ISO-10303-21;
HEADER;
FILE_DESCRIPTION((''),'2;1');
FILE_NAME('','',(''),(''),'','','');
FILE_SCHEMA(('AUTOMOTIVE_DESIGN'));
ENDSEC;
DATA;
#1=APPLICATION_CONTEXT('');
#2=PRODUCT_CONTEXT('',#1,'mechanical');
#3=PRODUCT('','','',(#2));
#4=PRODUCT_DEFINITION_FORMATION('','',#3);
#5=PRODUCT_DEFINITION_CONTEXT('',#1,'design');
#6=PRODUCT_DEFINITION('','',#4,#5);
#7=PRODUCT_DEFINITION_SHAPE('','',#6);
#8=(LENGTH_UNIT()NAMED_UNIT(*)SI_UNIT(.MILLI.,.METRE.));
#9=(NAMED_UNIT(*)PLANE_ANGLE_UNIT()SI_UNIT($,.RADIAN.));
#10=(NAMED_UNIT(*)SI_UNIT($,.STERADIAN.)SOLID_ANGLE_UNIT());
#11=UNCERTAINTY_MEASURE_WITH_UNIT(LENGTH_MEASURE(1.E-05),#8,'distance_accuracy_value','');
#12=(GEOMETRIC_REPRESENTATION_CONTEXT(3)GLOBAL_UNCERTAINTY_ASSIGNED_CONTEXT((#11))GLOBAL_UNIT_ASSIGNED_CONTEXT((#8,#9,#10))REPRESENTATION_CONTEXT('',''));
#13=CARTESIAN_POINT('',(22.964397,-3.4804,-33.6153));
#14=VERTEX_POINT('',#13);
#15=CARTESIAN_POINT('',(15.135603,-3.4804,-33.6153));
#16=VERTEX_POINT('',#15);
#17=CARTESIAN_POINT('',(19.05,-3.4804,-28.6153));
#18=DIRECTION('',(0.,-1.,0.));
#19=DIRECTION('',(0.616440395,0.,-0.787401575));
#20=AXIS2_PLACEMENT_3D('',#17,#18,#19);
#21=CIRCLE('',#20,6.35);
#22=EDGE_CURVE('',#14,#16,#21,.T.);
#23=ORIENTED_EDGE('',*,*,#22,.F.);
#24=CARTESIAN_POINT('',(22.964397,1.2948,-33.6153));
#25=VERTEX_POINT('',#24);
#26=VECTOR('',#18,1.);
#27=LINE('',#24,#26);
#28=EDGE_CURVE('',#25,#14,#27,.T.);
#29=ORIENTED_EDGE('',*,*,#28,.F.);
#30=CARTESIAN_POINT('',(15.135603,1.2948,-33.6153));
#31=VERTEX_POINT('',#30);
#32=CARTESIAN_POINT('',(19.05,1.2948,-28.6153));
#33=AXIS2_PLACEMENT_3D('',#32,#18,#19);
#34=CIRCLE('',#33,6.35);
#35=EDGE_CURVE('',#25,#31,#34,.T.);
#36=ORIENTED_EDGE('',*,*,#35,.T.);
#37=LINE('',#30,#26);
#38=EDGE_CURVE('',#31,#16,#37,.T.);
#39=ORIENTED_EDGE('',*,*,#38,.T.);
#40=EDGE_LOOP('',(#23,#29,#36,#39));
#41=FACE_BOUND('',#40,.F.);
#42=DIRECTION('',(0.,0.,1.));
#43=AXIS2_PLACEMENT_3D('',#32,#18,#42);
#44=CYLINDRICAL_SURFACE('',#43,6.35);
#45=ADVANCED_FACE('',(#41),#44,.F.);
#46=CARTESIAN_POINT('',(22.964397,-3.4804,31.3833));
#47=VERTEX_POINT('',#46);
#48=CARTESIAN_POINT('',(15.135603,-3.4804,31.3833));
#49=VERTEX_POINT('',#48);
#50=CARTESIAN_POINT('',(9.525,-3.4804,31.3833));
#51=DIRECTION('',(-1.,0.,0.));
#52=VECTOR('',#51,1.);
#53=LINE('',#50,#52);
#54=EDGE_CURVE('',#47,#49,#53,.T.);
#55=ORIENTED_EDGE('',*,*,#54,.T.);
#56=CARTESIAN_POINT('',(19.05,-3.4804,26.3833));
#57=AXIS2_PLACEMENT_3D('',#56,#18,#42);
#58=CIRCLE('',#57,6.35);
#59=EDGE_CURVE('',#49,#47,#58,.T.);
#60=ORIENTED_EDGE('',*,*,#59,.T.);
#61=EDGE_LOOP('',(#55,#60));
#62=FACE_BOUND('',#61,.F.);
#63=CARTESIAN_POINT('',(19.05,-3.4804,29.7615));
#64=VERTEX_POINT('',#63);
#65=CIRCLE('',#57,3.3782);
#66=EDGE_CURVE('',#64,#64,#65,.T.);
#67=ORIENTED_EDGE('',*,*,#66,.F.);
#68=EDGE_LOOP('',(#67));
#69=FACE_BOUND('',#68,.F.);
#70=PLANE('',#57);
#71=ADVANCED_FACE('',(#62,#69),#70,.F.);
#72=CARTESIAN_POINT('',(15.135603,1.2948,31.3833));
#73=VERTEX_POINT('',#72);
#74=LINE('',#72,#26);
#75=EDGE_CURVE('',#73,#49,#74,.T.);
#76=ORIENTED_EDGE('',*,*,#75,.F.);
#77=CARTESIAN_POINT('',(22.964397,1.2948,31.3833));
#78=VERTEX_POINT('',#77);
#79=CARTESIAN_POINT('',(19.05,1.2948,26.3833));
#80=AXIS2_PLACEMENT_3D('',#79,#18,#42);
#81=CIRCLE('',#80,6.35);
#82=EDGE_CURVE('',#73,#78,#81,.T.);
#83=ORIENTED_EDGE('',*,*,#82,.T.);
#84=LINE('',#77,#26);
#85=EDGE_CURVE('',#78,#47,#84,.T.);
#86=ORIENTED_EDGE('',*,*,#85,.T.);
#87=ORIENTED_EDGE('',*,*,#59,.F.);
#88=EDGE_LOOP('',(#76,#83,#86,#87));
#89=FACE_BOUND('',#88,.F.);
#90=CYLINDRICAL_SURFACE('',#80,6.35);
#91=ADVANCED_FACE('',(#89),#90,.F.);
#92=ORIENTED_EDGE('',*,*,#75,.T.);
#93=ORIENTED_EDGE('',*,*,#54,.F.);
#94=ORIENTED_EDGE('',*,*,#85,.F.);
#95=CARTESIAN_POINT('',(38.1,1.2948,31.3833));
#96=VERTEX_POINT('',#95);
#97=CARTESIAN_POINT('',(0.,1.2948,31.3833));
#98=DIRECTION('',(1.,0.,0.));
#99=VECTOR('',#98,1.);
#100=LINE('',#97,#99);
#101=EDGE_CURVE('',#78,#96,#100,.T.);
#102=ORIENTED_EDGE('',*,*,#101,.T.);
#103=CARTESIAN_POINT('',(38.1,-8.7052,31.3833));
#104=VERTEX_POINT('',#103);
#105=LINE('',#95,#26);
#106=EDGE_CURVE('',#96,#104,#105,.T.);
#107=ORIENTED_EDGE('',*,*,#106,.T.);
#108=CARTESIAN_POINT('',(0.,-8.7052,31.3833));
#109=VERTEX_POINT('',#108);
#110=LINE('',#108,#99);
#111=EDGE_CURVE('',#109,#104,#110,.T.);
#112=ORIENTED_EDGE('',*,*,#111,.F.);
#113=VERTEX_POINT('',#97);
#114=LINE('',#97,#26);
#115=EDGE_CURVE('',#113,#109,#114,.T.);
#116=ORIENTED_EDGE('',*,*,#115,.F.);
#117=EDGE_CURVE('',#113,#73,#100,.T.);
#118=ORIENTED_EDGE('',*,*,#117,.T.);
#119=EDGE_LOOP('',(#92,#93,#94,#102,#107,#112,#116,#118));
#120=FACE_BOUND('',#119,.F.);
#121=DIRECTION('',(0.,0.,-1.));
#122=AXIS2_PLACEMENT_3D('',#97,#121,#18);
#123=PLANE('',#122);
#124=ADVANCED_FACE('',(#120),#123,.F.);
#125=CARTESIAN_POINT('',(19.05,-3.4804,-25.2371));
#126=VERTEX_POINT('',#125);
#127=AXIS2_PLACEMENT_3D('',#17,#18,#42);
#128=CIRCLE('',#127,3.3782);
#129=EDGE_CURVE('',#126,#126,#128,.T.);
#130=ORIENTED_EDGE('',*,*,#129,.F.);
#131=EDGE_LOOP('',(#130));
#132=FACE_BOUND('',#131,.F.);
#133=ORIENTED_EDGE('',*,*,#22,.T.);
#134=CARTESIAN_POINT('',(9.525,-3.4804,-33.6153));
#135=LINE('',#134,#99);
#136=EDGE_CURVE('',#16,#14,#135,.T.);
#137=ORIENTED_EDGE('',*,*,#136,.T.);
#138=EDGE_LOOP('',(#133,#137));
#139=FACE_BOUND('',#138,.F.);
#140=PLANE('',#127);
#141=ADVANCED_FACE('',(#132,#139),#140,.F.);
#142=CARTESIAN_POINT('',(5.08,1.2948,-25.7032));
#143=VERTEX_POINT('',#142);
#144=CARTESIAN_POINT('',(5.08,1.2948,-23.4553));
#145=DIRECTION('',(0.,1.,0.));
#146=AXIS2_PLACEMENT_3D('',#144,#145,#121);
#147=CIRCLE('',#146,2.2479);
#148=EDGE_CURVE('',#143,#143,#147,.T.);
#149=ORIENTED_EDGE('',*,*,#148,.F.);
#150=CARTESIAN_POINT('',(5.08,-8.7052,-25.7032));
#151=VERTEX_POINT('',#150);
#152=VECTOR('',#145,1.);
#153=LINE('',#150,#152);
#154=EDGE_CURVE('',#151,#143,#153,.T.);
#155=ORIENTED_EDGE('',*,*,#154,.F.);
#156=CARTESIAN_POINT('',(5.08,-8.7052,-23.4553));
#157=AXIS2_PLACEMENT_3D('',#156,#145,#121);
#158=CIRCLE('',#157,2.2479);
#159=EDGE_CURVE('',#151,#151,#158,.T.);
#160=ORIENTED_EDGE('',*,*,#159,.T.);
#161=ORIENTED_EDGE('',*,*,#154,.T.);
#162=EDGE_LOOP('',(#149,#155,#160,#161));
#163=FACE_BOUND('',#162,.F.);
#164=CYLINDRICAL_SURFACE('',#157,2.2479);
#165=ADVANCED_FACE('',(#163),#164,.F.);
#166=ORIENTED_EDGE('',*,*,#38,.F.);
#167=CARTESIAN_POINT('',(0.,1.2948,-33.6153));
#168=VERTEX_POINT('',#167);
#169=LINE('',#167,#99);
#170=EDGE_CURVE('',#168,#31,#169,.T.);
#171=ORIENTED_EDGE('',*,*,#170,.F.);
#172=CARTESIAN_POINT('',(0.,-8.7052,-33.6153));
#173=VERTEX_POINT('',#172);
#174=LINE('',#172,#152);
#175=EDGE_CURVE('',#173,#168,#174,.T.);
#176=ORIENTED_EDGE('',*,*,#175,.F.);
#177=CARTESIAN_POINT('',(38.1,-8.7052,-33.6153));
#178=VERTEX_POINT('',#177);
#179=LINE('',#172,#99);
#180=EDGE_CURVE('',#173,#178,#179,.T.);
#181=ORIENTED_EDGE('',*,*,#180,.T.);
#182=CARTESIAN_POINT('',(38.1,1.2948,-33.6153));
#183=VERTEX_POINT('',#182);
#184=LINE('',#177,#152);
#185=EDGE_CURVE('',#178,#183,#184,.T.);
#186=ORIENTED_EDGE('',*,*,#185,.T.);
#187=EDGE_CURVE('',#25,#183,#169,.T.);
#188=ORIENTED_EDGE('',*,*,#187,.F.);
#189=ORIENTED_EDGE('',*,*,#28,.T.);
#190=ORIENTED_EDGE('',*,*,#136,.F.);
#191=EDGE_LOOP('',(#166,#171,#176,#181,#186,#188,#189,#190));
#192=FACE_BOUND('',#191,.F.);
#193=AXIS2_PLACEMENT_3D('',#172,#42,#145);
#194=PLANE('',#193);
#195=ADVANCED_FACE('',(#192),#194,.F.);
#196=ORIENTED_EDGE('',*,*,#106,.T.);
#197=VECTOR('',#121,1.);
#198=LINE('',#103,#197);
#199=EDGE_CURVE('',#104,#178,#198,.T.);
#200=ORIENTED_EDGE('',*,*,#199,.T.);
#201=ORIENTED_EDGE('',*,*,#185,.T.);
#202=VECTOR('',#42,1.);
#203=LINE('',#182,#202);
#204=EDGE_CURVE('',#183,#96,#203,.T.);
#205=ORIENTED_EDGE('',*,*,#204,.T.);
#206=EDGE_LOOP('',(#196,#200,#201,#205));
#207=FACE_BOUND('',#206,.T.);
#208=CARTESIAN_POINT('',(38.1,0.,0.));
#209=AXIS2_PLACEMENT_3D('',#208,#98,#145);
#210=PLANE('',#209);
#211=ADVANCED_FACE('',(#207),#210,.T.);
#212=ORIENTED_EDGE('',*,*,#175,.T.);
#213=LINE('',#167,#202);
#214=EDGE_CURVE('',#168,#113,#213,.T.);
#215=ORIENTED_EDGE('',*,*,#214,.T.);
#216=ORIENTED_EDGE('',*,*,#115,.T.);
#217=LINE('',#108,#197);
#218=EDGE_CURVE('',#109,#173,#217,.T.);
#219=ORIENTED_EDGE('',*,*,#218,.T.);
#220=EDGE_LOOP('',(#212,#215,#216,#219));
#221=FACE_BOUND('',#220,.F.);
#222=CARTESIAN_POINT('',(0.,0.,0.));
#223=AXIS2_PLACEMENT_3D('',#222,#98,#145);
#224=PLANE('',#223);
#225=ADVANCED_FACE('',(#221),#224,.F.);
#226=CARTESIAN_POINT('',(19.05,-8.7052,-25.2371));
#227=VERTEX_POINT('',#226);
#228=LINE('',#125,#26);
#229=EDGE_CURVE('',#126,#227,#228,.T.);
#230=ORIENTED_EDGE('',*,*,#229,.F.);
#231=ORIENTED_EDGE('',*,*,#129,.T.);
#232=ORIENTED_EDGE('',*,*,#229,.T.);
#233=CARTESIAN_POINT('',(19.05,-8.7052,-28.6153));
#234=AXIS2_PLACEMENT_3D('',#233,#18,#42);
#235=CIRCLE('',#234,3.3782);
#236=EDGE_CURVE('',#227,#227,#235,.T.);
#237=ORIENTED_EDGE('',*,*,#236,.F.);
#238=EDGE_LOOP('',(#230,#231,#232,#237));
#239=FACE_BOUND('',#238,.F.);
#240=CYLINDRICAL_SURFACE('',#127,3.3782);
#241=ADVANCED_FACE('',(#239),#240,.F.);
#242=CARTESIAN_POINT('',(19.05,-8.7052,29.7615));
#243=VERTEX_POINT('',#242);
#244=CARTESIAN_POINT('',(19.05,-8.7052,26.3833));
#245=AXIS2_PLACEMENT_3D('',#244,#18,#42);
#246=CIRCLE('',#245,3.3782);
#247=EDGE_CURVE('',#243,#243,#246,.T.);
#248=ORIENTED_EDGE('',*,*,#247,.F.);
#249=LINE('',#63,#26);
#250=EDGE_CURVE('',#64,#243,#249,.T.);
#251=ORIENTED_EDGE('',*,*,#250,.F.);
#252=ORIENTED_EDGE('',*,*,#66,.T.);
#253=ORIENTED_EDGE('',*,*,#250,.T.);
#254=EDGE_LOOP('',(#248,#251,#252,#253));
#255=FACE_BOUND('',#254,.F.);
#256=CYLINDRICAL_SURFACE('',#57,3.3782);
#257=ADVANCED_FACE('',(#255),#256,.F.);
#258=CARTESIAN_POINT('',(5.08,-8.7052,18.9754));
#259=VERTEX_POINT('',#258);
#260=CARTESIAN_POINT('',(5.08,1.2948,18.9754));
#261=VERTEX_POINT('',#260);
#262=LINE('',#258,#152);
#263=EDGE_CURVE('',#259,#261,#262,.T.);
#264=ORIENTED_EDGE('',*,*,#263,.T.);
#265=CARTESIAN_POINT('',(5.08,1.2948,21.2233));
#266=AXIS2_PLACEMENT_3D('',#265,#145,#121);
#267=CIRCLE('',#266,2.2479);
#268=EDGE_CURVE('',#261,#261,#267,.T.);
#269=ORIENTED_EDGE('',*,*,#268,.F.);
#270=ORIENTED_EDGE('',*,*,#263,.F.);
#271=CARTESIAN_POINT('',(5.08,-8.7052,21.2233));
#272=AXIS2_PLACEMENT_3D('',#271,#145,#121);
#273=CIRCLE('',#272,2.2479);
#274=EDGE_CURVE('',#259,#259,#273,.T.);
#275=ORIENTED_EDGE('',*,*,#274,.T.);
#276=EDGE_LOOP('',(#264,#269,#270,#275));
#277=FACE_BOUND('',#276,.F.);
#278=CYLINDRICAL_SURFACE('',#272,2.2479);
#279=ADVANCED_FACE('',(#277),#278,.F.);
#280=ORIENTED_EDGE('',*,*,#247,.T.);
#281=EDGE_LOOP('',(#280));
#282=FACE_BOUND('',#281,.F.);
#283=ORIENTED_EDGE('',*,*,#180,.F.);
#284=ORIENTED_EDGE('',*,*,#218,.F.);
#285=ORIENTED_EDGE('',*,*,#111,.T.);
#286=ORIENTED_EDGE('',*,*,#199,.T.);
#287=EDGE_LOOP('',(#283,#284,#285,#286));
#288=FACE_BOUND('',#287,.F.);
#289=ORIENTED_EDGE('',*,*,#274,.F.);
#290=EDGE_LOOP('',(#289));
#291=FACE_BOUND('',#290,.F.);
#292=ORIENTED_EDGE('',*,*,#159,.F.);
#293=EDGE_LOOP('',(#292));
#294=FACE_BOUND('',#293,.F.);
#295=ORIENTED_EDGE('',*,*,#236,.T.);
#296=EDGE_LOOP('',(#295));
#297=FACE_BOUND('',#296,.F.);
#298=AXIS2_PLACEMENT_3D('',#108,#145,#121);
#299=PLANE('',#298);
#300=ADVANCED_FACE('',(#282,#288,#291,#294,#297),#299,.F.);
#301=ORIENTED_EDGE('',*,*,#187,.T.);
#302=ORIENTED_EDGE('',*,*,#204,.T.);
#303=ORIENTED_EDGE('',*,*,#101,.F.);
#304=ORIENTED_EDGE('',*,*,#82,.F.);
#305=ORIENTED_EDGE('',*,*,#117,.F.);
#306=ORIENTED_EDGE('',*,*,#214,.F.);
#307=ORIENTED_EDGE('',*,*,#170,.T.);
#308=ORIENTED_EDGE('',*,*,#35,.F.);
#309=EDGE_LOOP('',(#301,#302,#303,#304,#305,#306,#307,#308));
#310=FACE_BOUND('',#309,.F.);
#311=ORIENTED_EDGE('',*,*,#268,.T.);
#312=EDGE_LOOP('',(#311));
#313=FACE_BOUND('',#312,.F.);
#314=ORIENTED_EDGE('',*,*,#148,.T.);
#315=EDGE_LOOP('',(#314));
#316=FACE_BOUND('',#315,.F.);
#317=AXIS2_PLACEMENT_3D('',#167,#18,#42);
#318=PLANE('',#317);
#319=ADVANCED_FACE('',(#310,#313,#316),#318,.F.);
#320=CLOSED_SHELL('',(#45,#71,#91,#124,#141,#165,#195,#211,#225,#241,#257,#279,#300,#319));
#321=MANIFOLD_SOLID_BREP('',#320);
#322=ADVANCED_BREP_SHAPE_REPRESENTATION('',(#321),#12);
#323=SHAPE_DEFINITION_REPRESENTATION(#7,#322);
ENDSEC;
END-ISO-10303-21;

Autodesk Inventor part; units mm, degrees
ref_plane "YZ Plane" through (0, 0, 0) normal (1, 0, 0) x (0, 1, 0)
ref_plane "XZ Plane" through (0, 0, 0) normal (0, 1, 0) x (-1, 0, 0)
ref_plane "XY Plane" through (0, 0, 0) normal (0, 0, 1) x (1, 0, 0)
sketch "Sketch1" plane through (0, 0, 0) normal (1, 0, 0) x (0, 1, 0)
  line L0 (1.2948, 31.3833) -> (-8.7052, 31.3833)
  line L1 (-8.7052, 31.3833) -> (-8.7052, -33.6153)
  line L2 (-8.7052, -33.6153) -> (1.2948, -33.6153)
  line L3 (1.2948, -33.6153) -> (1.2948, 31.3833)
  point P0 (0, 0)
  dimension "d0" = 64.9986
  dimension "d1" = 10
extrude "Extrusion1" add sketch "Sketch1" along normal blind 38.1
sketch "Sketch2" plane through (0, 1.2948, 31.3833) normal (0, 1, 0) x (1, 0, 0)
  line L0 (38.1, 64.9986) -> (38.1, 0) projected
  line L1 (0, 0) -> (38.1, 0) projected
  line L2 (0, 64.9986) -> (38.1, 64.9986) projected
  point P0 (0, 31.3833)
  point P1 (19.05, 5)
  point P2 (19.05, 59.9986)
  dimension "d4" = 0
  dimension "d5" = 19.05
  dimension "d6" = 5
  dimension "d7" = 5
hole "Hole1" at (19.05, 1.2948, 26.3833) at (19.05, 1.2948, -28.6153) direction (0, -1, 0) diameter 6.7564 end through all counterbore diameter 12.7 counterbore depth 4.7752 clearance for "Hex Head Bolt" size "1/4" standard "Ansi Unified Screw Threads"
sketch "Sketch3" plane through (0, -8.7052, -33.6153) normal (0, -1, 0) x (1, 0, 0)
  line L0 (38.1, 64.9986) -> (38.1, 0) projected
  line L1 (0, 64.9986) -> (0, 0) projected
  line L2 (0, 64.9986) -> (38.1, 64.9986) projected
  line L3 (0, 0) -> (38.1, 0) projected
  point P0 (0, 33.6153)
  point P1 (5.08, 54.8386)
  point P2 (5.08, 10.16)
  dimension "d16" = 5.08
  dimension "d24" = 10.16
  dimension "d25" = 10.16
  dimension "d26" = 5.08
hole "Hole2" at (5.08, -8.7052, 21.2233) at (5.08, -8.7052, -23.4553) direction (0, 1, 0) diameter 4.4958 end through all clearance for "Hex Machine Screw" size "#8" standard "Ansi Unified Screw Threads"
properties part number "LidarV4MountLongPlate"
